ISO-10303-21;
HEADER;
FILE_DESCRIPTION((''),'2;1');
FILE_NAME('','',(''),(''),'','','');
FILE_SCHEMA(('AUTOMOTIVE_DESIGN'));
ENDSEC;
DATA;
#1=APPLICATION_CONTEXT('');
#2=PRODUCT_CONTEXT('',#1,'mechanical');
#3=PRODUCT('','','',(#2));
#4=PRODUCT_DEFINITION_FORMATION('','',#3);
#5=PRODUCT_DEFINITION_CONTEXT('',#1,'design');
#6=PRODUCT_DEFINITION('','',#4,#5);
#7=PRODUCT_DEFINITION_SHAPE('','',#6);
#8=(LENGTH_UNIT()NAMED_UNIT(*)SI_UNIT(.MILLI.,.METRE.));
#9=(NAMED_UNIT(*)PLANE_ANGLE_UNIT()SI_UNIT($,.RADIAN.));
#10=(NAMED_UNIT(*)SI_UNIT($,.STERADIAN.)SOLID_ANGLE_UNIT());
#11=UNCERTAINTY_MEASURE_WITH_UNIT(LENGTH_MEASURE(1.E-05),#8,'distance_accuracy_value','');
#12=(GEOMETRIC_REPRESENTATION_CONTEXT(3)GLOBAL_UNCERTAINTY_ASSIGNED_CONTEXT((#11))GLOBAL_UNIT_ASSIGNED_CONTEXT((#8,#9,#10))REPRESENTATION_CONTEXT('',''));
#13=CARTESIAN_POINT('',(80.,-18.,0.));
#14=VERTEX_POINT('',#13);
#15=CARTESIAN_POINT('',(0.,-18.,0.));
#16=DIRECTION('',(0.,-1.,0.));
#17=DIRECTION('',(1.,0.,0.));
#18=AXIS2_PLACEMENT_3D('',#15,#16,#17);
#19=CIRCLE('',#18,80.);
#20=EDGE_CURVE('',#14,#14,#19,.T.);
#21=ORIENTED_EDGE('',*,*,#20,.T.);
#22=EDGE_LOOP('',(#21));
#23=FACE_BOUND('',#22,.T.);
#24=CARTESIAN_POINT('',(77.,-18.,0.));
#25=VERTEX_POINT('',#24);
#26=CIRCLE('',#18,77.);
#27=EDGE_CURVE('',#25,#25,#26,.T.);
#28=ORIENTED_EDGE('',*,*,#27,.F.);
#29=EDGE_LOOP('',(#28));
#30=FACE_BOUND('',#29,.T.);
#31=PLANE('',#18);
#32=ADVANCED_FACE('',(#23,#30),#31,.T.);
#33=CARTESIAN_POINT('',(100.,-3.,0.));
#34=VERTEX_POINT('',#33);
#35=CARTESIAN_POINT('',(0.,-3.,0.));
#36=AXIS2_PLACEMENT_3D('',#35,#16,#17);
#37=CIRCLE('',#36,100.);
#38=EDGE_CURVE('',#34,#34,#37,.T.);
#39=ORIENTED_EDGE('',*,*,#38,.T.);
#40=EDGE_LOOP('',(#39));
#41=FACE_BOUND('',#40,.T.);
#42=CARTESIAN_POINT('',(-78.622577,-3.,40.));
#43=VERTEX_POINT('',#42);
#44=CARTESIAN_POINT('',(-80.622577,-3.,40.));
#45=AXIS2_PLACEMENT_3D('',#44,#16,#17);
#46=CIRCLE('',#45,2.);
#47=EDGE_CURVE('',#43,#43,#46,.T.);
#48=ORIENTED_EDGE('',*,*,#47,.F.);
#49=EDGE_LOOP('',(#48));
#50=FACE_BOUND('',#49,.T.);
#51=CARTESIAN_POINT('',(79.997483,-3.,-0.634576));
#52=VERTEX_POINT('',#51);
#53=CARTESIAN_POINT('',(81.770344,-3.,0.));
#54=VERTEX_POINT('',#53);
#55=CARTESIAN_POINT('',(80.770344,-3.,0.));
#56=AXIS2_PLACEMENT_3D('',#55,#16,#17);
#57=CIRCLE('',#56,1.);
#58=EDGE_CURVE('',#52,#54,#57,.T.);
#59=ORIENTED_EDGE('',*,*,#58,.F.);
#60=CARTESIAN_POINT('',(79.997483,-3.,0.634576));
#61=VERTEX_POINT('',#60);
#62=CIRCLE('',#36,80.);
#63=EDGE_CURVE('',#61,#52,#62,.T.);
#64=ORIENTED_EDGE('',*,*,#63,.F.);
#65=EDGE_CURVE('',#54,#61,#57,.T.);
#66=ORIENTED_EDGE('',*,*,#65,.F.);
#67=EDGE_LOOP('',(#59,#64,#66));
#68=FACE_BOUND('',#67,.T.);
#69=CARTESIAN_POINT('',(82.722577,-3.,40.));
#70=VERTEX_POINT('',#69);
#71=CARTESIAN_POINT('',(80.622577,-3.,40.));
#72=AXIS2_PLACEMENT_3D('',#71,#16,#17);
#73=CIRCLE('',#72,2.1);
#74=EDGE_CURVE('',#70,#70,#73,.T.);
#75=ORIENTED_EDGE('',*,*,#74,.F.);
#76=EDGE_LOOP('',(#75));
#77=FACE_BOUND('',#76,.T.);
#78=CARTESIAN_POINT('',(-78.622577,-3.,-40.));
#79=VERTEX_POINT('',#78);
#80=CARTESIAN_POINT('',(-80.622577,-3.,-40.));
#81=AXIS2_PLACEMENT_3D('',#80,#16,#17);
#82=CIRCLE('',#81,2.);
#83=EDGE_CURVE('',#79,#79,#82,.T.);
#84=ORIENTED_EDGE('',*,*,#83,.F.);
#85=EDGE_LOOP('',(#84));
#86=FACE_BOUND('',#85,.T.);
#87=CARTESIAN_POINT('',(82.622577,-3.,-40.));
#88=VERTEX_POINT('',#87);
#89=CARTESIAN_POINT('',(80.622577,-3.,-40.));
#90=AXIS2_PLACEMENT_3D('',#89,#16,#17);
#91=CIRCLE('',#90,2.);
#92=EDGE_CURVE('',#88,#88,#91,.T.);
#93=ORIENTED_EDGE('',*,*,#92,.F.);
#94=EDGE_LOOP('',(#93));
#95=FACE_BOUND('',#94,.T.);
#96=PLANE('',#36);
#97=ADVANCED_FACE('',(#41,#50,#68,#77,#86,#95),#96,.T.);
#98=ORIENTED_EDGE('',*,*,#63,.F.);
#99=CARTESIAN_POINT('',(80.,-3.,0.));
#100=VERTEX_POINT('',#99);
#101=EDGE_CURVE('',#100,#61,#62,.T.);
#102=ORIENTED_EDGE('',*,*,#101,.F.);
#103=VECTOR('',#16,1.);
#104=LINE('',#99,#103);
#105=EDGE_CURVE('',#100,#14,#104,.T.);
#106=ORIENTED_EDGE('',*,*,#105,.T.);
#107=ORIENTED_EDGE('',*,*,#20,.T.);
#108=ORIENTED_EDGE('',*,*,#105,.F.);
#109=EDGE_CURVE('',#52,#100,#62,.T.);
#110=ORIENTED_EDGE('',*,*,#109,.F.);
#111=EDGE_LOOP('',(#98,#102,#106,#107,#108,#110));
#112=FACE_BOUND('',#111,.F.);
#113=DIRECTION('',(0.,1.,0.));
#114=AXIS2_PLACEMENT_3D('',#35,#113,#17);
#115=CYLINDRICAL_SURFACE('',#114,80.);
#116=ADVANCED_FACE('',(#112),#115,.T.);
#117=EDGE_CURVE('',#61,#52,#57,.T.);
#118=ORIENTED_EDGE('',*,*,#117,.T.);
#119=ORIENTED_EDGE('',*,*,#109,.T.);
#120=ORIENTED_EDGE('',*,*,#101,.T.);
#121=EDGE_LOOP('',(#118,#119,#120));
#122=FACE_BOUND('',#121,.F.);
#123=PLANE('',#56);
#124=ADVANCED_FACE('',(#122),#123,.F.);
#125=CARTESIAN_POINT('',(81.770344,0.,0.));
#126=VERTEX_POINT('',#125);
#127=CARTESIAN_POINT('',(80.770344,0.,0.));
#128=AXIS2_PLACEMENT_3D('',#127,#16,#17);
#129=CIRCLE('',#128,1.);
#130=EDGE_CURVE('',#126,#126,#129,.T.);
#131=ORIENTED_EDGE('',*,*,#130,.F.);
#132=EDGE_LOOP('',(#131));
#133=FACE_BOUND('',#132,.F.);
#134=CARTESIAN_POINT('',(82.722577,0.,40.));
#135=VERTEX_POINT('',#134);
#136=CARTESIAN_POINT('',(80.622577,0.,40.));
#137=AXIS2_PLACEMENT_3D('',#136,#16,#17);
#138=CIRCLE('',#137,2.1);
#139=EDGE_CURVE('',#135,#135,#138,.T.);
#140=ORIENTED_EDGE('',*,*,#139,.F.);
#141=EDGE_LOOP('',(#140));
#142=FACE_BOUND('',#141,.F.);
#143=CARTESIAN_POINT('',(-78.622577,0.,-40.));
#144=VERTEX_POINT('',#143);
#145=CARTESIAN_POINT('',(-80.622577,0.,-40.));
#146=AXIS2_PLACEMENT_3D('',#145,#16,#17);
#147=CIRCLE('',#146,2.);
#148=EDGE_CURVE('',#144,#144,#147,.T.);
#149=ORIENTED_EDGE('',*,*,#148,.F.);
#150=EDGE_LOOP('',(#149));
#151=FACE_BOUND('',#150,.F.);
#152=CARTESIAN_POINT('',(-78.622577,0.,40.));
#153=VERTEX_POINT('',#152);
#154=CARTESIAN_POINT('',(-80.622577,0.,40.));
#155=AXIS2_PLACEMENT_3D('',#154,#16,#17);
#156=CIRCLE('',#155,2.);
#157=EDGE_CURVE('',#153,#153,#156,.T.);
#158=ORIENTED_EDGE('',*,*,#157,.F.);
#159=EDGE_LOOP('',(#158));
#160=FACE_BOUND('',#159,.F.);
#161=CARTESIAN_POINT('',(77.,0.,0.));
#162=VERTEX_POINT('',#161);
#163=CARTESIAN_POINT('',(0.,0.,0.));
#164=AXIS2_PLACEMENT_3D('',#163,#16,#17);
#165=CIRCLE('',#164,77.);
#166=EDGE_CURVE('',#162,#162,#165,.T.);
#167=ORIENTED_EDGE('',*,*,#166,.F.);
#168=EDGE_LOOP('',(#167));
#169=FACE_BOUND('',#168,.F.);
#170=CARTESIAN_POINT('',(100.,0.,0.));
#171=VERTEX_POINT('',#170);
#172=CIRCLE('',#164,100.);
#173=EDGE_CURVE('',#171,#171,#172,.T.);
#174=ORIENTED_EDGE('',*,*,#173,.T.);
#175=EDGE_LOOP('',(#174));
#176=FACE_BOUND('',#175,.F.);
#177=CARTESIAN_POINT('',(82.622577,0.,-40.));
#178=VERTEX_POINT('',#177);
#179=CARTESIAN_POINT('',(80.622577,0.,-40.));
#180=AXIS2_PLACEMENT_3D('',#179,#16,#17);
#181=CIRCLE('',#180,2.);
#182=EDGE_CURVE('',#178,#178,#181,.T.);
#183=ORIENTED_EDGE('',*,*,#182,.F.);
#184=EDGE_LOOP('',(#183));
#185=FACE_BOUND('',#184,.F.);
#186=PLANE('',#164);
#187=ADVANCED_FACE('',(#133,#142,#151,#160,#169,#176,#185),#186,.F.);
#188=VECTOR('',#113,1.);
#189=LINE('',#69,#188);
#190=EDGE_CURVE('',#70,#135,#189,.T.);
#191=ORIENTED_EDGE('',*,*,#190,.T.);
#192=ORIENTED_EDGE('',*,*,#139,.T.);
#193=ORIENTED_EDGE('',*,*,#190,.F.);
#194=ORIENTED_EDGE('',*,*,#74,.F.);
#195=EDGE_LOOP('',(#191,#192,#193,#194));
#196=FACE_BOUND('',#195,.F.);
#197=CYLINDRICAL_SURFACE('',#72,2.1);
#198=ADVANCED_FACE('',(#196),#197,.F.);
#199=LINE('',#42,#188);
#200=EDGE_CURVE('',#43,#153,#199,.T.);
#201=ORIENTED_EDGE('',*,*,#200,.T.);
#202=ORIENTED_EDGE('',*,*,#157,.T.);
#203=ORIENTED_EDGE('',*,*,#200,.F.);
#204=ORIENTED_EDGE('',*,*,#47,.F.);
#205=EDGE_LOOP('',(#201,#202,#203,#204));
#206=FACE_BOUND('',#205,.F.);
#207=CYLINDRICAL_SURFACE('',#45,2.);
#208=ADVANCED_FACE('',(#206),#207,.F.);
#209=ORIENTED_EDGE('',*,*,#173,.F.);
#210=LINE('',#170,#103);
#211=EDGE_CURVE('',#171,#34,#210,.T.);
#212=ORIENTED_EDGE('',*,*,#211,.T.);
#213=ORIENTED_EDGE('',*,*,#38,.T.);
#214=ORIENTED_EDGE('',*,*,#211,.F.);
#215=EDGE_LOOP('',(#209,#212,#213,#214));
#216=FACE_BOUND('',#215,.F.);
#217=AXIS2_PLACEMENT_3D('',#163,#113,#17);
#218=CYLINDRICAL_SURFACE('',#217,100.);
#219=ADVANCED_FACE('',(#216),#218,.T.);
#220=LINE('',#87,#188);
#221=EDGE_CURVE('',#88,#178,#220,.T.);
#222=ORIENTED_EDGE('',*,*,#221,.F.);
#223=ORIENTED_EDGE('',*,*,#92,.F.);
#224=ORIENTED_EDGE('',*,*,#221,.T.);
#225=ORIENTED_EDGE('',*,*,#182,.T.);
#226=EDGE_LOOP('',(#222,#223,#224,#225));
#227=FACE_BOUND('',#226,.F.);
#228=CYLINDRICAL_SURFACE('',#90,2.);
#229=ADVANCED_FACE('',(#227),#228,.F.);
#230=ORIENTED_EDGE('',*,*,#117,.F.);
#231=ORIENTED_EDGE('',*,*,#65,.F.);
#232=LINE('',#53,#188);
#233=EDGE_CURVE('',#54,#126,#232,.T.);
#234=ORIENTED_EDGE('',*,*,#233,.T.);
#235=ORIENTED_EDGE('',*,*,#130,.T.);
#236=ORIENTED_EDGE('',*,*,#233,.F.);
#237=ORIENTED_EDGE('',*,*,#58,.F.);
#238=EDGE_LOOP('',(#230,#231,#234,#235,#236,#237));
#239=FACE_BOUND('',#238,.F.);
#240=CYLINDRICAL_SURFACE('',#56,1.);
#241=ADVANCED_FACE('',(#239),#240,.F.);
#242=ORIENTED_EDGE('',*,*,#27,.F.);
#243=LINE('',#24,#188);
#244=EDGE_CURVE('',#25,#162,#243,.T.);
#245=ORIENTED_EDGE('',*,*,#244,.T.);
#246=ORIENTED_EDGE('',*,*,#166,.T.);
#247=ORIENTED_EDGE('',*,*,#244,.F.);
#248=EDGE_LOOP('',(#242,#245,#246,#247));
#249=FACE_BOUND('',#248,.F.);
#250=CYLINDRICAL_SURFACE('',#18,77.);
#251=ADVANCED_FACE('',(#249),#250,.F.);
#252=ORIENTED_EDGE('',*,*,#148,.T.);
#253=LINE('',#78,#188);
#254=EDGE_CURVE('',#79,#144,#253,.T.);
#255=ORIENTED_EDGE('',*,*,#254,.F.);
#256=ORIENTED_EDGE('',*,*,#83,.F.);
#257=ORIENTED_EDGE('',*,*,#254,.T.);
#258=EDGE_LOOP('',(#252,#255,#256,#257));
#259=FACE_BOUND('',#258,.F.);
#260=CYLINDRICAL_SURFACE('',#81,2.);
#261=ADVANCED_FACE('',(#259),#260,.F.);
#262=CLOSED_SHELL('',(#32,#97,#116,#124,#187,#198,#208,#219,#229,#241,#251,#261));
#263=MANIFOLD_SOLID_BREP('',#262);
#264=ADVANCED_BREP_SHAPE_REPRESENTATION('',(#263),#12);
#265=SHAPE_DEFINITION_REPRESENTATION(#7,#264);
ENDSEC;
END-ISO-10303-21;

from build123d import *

# Parameters (mm, degrees)
F0_R     = 100
F1_DEPTH = 3
F2_R     = 80
F3_DEPTH = 15
F4_R     = 77
F5_DEPTH = 18.001
F6_R     = 2.1
F6_R_2   = 2
F6_R_3   = 1
F7_DEPTH = 3.001


with BuildPart() as f1:
    # F0 (on Front) → F1 (new body)
    with BuildSketch(Plane.XZ):
        Circle(F0_R)
    extrude(amount=F1_DEPTH)

    # F2 (on face) → F3 (join)
    with BuildSketch(Plane.XZ.offset(3)):
        Circle(F2_R)
    extrude(amount=F3_DEPTH)

    # F4 (on face) → F5 (cut, through all)
    with BuildSketch(Plane.XZ.offset(18)):
        Circle(F4_R)
    extrude(amount=-F5_DEPTH, mode=Mode.SUBTRACT)

    # F6 (on face) → F7 (cut, through all)
    with BuildSketch(Plane.XZ.offset(3)):
        with Locations((80.622577, 40)):
            Circle(F6_R)
        with Locations((-80.622577, 40)):
            Circle(F6_R_2)
        with Locations((-80.622577, -40)):
            Circle(F6_R_2)
        with Locations((80.622577, -40)):
            Circle(F6_R_2)
        with Locations((80.770344, 0)):
            Circle(F6_R_3)
    extrude(amount=-F7_DEPTH, mode=Mode.SUBTRACT)


solid = f1.part
